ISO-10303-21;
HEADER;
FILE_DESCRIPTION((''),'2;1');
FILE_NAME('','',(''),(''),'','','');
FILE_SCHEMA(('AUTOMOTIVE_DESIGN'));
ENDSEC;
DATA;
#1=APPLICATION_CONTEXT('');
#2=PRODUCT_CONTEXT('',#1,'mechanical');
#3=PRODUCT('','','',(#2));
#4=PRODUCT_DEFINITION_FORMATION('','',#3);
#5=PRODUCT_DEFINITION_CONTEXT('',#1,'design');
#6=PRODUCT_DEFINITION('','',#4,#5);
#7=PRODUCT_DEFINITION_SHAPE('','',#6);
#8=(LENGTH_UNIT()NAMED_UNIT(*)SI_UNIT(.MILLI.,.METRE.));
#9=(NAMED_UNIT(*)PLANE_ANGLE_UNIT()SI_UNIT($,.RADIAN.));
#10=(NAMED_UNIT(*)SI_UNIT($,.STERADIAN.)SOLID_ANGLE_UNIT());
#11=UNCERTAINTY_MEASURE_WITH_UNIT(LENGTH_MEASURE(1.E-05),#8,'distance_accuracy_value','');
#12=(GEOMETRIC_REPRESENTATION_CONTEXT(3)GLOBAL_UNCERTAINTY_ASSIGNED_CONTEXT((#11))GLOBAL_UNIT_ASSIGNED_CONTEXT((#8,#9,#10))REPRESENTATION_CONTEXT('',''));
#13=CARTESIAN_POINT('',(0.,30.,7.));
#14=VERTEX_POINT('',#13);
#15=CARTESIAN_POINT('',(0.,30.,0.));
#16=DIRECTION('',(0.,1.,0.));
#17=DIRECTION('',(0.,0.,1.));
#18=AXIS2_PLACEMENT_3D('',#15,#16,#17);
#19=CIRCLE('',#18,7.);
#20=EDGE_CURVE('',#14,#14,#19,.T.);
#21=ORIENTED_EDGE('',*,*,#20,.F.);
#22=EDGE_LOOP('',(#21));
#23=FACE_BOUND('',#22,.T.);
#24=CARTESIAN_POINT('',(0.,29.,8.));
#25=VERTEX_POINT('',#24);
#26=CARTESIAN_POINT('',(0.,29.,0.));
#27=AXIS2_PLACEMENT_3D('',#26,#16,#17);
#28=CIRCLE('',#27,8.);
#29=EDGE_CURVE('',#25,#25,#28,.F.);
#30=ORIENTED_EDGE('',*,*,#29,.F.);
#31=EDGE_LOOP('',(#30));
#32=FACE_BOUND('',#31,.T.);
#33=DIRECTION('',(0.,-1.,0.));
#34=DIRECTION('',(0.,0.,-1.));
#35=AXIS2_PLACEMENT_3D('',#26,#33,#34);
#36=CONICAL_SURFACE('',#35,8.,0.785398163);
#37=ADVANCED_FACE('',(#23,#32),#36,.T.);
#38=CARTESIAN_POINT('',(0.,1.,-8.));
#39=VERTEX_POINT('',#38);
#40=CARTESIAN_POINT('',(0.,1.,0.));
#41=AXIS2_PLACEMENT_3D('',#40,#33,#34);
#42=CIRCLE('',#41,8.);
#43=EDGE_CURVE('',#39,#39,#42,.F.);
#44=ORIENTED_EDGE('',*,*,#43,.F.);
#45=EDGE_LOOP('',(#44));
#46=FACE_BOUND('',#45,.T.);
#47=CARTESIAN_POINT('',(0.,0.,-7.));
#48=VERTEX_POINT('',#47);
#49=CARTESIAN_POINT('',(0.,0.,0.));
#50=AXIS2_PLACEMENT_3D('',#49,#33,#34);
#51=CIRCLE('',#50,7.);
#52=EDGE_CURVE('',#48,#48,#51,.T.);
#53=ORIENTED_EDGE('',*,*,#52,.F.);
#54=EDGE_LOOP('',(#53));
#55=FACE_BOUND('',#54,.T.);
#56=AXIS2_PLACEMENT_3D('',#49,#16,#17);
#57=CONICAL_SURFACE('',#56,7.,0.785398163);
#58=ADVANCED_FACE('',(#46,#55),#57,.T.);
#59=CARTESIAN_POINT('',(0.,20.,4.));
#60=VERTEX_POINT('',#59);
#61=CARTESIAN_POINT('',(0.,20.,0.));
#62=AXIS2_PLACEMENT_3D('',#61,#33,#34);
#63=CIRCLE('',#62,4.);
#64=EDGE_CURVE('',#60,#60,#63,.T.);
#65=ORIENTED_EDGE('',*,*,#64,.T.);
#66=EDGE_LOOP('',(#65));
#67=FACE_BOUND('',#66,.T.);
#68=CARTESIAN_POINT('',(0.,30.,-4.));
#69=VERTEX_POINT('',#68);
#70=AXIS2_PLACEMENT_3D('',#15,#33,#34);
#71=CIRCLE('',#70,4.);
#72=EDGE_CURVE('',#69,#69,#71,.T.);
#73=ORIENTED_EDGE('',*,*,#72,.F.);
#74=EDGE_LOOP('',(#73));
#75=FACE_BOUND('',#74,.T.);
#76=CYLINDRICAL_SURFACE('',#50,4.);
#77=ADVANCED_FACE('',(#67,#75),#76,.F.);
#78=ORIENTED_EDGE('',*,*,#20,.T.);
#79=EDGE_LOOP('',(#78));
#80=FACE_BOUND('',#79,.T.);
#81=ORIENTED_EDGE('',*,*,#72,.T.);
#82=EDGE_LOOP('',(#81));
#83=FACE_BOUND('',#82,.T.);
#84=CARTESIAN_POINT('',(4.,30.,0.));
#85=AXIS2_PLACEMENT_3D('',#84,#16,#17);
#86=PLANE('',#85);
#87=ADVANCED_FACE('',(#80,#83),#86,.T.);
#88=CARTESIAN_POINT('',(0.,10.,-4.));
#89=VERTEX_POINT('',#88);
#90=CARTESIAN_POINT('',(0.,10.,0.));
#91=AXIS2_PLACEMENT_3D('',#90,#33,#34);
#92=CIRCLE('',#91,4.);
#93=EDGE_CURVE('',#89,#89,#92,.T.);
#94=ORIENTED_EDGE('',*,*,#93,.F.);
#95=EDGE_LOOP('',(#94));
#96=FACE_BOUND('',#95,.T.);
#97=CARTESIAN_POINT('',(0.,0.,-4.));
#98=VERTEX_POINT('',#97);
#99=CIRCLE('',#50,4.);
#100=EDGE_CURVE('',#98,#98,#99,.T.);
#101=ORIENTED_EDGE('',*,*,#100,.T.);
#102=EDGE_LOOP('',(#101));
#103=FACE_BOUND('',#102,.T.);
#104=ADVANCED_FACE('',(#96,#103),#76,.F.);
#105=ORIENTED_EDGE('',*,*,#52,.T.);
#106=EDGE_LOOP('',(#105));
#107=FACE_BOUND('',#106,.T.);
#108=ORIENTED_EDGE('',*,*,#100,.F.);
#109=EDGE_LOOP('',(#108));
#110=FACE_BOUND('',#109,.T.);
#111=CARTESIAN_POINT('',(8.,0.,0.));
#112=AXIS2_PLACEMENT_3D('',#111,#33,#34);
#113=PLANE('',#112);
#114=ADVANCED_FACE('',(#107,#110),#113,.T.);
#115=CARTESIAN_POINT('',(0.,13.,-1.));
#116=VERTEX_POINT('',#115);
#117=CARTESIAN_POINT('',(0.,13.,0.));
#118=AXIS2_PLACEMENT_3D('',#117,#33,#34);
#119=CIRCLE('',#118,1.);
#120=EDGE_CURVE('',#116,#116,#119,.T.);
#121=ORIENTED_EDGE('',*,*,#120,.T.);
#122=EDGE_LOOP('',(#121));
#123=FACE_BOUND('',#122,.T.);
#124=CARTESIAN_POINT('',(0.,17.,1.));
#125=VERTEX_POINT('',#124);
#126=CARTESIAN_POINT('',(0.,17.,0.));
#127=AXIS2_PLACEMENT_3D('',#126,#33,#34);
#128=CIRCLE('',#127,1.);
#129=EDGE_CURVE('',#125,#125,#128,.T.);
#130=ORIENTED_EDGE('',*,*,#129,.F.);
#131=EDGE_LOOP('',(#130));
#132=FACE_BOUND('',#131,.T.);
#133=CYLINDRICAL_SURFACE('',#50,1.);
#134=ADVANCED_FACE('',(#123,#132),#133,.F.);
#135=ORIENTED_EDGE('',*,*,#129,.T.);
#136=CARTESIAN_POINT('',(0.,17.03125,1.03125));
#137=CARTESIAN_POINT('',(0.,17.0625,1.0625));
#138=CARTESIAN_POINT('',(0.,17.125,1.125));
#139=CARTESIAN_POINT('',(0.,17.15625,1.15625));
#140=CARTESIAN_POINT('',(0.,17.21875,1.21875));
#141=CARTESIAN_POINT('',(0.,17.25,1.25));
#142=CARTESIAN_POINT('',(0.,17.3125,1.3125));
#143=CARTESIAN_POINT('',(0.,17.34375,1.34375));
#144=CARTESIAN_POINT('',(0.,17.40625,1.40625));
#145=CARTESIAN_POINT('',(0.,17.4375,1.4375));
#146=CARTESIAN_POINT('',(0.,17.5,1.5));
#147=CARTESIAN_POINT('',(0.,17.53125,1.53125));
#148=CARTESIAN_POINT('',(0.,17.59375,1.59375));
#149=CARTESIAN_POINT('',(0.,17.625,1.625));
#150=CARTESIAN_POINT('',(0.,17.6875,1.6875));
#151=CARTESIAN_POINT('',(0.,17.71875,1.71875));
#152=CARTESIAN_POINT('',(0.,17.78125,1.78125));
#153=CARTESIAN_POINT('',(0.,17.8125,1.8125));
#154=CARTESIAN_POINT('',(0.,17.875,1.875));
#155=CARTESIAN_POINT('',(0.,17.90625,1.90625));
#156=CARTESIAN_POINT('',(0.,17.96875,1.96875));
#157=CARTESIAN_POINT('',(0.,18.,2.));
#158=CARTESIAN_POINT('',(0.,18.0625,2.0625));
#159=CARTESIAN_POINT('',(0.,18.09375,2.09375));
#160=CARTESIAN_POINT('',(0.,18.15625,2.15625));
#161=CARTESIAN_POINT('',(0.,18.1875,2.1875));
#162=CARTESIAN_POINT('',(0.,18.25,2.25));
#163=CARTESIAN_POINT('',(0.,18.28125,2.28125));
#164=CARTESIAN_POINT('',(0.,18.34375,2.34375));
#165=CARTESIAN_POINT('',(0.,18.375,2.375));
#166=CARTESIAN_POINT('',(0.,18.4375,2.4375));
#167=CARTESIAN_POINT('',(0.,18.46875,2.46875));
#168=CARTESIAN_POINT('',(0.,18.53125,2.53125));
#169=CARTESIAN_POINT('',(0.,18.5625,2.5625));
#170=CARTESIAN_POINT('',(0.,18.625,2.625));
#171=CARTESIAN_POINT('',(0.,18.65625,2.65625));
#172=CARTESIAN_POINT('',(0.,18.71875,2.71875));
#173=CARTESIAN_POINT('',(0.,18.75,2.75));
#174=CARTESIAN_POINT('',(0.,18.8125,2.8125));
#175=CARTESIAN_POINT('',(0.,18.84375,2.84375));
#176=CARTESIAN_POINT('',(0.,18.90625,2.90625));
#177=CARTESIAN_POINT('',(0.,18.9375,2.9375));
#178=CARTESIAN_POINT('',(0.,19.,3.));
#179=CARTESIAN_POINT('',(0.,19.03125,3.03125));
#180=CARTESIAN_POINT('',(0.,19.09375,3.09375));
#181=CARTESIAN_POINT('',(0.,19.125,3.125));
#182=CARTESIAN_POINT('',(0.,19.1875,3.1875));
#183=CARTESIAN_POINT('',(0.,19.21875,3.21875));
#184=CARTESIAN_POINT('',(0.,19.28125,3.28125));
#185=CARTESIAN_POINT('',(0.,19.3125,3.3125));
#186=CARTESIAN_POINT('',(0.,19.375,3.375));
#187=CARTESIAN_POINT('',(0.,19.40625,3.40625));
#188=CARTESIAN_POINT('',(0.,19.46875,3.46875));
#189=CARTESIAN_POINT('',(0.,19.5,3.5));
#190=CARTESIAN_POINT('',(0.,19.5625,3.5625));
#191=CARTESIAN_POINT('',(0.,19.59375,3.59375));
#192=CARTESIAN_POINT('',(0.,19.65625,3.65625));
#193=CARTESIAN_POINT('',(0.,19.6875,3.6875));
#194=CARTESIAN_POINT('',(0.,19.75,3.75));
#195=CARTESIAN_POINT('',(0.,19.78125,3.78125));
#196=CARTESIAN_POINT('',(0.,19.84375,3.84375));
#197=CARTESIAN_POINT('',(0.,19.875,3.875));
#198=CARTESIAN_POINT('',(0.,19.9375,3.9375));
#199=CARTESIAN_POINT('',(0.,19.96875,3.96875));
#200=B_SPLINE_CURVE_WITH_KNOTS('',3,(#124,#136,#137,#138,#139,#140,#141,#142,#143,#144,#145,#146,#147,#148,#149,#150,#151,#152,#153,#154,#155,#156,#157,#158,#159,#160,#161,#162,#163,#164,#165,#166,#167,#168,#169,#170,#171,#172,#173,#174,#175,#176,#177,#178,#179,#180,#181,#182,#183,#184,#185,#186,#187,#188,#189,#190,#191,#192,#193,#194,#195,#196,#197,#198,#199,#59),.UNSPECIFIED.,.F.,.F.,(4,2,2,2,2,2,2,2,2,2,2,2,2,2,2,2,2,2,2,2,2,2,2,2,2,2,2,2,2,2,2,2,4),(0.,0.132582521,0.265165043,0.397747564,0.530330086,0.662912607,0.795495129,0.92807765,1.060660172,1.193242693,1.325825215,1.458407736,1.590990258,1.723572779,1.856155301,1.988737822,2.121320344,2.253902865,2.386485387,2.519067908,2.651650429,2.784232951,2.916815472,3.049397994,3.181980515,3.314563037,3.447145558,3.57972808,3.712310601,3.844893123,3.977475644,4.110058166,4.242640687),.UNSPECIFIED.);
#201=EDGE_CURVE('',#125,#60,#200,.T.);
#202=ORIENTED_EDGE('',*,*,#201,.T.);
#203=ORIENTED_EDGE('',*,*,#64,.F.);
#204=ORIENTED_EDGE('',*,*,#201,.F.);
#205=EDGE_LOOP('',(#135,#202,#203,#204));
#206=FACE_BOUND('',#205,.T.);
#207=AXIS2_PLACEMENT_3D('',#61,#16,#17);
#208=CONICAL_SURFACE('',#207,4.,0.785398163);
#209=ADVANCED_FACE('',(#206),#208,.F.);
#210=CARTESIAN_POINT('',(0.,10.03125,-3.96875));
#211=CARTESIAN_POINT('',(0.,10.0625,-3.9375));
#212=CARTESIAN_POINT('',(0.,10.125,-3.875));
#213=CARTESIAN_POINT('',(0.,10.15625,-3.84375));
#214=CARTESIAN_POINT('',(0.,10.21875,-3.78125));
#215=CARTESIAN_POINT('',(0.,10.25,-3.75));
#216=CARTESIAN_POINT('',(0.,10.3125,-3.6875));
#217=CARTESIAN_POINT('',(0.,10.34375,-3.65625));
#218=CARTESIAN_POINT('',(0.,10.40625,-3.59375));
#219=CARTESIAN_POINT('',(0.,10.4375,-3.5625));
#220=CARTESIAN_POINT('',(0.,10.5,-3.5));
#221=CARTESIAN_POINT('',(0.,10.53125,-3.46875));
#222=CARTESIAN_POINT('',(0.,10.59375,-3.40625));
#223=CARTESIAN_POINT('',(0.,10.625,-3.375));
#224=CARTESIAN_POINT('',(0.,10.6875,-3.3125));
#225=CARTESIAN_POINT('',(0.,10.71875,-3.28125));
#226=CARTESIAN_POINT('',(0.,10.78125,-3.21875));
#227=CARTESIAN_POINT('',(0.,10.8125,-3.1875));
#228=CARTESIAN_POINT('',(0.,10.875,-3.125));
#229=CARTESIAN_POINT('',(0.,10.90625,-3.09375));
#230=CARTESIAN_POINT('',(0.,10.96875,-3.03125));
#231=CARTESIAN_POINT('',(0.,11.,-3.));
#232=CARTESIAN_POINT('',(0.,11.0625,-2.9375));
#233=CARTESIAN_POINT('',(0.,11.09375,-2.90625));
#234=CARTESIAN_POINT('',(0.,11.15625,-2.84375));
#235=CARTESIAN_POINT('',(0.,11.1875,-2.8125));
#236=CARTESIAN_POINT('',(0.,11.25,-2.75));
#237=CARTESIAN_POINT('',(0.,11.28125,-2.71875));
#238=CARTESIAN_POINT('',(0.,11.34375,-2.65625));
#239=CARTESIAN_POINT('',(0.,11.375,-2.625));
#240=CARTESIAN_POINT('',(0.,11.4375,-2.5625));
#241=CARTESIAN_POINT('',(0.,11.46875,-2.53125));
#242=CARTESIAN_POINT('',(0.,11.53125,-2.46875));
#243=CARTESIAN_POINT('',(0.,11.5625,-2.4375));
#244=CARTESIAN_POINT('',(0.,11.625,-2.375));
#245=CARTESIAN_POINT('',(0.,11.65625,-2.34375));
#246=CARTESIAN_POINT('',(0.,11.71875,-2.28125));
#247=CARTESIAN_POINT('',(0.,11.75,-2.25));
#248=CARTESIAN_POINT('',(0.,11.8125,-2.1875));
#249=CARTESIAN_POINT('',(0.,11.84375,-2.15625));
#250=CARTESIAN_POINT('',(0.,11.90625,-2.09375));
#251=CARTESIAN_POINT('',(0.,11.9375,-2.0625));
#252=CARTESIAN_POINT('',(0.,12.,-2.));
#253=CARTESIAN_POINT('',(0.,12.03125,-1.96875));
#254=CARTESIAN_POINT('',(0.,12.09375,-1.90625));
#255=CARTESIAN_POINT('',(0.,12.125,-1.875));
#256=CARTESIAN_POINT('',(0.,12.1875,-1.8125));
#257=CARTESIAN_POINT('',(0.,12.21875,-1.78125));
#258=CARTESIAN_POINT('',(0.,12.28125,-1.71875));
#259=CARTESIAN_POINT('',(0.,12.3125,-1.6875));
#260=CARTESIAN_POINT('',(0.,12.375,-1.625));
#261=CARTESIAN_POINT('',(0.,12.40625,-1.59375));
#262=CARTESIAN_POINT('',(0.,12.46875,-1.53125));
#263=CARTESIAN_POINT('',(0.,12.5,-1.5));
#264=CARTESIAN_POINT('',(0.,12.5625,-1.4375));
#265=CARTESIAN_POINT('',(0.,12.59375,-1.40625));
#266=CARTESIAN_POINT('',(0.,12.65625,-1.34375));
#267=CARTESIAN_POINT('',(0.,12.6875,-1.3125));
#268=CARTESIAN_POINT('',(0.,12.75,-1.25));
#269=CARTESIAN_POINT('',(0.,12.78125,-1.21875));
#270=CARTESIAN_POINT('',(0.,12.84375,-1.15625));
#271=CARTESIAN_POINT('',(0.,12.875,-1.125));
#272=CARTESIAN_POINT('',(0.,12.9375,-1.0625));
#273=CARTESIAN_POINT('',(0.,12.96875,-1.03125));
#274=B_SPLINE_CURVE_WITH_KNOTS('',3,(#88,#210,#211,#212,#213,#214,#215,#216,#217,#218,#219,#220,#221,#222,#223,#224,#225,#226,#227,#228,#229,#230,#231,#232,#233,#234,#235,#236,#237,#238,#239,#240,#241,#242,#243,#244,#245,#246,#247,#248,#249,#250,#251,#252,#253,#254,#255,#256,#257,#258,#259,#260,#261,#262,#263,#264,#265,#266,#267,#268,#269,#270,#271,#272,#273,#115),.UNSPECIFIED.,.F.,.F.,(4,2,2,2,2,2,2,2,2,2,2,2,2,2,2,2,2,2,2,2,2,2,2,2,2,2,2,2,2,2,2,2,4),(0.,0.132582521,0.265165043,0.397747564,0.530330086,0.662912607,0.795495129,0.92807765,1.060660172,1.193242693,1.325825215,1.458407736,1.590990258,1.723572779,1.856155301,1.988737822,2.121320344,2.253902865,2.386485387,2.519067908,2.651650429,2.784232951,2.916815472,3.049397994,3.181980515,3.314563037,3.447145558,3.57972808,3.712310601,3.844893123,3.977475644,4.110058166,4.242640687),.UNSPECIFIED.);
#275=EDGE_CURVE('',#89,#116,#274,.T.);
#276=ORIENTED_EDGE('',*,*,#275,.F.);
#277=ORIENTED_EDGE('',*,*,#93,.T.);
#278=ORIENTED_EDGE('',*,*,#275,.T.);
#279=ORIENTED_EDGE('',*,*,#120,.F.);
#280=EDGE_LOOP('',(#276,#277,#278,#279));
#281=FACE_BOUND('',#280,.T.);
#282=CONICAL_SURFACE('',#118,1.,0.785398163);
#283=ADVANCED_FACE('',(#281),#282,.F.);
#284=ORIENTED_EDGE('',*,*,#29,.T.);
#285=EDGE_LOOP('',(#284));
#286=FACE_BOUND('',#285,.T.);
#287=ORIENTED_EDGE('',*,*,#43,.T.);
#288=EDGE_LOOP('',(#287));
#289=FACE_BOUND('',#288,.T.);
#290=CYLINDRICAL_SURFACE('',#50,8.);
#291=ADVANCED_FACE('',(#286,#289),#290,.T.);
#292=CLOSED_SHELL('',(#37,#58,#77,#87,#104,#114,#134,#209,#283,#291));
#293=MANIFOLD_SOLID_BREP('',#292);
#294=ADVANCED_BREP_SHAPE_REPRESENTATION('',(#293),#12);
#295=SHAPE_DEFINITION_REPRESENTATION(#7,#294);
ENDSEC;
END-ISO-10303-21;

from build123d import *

# Parameters (mm, degrees)
CHAMFER_1_SIZE = 1


with BuildPart() as part:
    # Эскиз1 → Повернуть1 (revolve)
    with BuildSketch(Plane.XY, mode=Mode.PRIVATE) as revolve_1_sk:
        Polygon((8, 0), (8, 30), (4, 30), (4, 20), (1, 17), (1, 13), (4, 10), (4, 0), align=None)
    revolve(revolve_1_sk.sketch.rotate(Axis((0, 0, 0), (0, 1, 0)), 90), axis=Axis((0, 0, 0), (0, 1, 0)))

    # Фаска1
    chamfer_1_edges = [part.edges().sort_by_distance(p)[0] for p in [
        (0, 0, 8),
        (0, 30, 8),
    ]]
    chamfer(chamfer_1_edges, length=CHAMFER_1_SIZE)


solid = part.part
